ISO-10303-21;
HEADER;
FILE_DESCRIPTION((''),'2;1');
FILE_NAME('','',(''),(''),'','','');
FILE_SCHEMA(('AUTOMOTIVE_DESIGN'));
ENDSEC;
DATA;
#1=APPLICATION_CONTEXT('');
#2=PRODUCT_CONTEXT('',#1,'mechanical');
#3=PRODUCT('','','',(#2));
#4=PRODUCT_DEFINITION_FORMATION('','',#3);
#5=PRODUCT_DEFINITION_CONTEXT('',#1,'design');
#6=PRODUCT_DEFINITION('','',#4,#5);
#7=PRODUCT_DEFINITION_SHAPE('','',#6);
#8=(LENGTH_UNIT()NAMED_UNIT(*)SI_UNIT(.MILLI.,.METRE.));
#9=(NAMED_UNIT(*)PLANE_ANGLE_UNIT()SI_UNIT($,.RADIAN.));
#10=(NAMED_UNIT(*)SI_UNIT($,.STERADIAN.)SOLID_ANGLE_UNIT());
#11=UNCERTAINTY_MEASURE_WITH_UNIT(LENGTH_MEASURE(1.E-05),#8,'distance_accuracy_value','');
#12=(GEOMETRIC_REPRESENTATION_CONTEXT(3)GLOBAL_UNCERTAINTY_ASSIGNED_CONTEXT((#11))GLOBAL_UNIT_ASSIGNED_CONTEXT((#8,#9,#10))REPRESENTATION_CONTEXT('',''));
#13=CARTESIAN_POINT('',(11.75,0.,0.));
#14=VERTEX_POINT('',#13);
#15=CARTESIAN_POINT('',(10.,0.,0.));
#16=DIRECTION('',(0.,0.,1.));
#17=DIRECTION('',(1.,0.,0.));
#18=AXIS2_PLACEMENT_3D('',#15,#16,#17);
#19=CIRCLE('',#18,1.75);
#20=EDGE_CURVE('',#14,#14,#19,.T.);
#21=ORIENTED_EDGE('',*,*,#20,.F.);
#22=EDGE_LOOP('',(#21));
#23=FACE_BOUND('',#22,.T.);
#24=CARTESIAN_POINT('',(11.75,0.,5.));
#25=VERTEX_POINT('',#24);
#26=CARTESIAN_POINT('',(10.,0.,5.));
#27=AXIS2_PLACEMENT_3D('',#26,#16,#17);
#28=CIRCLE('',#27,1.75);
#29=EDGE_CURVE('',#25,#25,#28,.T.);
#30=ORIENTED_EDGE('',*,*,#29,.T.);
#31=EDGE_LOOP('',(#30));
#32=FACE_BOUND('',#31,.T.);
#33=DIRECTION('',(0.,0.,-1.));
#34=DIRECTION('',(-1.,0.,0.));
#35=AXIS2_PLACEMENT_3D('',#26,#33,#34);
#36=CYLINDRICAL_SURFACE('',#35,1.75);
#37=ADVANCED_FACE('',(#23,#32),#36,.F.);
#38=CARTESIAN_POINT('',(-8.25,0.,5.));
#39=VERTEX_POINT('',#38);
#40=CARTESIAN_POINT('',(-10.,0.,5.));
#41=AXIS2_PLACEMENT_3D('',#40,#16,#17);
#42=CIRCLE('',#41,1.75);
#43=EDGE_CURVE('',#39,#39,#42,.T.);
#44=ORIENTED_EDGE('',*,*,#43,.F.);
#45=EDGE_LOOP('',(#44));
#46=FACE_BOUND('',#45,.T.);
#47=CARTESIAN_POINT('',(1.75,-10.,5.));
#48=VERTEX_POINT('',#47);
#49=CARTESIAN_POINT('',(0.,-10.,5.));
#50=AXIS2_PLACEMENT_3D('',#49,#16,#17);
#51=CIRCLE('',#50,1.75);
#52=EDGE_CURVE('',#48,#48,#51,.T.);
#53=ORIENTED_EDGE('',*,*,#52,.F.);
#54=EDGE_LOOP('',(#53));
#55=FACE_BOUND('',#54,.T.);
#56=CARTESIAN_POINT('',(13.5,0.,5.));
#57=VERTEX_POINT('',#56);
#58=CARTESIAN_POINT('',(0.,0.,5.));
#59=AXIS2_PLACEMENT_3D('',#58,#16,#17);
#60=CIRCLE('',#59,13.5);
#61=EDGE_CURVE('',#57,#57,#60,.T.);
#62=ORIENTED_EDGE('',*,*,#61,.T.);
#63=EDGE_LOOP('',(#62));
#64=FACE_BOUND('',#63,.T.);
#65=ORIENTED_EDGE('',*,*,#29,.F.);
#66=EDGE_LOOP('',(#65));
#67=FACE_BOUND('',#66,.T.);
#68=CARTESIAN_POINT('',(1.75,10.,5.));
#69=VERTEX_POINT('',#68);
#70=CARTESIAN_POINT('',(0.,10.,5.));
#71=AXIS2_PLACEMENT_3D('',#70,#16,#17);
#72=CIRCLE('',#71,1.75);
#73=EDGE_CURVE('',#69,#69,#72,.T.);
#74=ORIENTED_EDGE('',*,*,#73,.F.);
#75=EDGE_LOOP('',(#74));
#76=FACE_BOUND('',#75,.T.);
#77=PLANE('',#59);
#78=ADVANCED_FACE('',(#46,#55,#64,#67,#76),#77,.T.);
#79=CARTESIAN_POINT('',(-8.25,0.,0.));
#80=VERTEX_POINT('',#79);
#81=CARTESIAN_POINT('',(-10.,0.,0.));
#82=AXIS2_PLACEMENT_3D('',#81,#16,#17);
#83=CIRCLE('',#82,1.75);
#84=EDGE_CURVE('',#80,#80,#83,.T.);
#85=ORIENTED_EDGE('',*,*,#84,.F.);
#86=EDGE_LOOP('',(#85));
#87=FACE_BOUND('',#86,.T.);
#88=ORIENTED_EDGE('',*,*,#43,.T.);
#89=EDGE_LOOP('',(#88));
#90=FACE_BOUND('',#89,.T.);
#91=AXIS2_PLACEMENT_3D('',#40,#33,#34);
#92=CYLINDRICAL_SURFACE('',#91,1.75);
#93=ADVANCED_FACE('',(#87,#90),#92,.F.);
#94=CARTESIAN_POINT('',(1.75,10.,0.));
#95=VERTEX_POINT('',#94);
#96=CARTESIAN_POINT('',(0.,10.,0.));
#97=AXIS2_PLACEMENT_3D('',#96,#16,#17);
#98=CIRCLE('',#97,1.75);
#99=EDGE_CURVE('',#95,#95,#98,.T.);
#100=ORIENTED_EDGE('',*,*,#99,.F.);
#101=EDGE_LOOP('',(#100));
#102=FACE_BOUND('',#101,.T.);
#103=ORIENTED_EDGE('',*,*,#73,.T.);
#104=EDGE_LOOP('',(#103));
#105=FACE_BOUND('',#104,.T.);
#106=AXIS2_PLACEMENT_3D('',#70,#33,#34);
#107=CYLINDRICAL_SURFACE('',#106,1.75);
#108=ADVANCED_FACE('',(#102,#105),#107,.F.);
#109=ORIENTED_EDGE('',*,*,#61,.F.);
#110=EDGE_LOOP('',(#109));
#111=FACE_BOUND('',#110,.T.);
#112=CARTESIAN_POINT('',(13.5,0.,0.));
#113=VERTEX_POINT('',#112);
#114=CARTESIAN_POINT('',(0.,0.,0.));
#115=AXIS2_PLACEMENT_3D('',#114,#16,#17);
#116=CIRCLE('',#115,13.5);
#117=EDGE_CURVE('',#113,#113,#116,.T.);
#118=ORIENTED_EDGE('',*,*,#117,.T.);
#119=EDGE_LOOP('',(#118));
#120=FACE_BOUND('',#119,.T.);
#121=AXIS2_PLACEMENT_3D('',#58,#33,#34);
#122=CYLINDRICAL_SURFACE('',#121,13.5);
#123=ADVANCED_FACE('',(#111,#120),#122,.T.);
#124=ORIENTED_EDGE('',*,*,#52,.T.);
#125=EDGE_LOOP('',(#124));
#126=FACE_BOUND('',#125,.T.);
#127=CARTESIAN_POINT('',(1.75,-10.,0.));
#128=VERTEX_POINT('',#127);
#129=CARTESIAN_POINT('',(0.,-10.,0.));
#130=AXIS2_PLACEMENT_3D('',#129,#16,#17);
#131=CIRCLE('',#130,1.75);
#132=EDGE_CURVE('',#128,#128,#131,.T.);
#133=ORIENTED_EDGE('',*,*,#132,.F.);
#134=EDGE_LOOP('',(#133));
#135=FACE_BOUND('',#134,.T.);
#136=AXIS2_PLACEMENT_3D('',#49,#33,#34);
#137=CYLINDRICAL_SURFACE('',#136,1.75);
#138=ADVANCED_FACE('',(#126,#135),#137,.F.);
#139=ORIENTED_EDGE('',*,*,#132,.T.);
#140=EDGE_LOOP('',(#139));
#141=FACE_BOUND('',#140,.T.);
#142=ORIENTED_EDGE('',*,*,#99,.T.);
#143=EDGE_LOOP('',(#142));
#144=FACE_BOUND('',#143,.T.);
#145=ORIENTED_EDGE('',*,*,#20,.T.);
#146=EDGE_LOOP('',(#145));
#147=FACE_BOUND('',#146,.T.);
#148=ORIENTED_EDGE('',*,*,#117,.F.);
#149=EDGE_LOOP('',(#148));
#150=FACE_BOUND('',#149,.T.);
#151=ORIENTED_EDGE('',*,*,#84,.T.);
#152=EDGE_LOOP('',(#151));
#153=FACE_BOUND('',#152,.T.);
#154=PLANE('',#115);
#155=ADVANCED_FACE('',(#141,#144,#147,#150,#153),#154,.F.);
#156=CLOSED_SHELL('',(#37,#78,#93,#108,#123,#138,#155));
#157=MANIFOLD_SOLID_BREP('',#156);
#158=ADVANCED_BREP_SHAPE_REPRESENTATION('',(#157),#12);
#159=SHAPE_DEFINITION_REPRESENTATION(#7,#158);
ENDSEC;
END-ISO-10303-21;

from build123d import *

# Parameters (mm, degrees)
SKETCH1_R           = 13.5
SKETCH1_R_2         = 1.75
BOSS_EXTRUDE1_DEPTH = 5


with BuildPart() as part:
    # Sketch1 → Boss-Extrude1 (new body)
    with BuildSketch(Plane.XY):
        Circle(SKETCH1_R)
        with Locations((-10, 0)):
            Circle(SKETCH1_R_2, mode=Mode.SUBTRACT)
        with Locations((0, 10)):
            Circle(SKETCH1_R_2, mode=Mode.SUBTRACT)
        with Locations((10, 0)):
            Circle(SKETCH1_R_2, mode=Mode.SUBTRACT)
        with Locations((0, -10)):
            Circle(SKETCH1_R_2, mode=Mode.SUBTRACT)
    extrude(amount=BOSS_EXTRUDE1_DEPTH)


solid = part.part
